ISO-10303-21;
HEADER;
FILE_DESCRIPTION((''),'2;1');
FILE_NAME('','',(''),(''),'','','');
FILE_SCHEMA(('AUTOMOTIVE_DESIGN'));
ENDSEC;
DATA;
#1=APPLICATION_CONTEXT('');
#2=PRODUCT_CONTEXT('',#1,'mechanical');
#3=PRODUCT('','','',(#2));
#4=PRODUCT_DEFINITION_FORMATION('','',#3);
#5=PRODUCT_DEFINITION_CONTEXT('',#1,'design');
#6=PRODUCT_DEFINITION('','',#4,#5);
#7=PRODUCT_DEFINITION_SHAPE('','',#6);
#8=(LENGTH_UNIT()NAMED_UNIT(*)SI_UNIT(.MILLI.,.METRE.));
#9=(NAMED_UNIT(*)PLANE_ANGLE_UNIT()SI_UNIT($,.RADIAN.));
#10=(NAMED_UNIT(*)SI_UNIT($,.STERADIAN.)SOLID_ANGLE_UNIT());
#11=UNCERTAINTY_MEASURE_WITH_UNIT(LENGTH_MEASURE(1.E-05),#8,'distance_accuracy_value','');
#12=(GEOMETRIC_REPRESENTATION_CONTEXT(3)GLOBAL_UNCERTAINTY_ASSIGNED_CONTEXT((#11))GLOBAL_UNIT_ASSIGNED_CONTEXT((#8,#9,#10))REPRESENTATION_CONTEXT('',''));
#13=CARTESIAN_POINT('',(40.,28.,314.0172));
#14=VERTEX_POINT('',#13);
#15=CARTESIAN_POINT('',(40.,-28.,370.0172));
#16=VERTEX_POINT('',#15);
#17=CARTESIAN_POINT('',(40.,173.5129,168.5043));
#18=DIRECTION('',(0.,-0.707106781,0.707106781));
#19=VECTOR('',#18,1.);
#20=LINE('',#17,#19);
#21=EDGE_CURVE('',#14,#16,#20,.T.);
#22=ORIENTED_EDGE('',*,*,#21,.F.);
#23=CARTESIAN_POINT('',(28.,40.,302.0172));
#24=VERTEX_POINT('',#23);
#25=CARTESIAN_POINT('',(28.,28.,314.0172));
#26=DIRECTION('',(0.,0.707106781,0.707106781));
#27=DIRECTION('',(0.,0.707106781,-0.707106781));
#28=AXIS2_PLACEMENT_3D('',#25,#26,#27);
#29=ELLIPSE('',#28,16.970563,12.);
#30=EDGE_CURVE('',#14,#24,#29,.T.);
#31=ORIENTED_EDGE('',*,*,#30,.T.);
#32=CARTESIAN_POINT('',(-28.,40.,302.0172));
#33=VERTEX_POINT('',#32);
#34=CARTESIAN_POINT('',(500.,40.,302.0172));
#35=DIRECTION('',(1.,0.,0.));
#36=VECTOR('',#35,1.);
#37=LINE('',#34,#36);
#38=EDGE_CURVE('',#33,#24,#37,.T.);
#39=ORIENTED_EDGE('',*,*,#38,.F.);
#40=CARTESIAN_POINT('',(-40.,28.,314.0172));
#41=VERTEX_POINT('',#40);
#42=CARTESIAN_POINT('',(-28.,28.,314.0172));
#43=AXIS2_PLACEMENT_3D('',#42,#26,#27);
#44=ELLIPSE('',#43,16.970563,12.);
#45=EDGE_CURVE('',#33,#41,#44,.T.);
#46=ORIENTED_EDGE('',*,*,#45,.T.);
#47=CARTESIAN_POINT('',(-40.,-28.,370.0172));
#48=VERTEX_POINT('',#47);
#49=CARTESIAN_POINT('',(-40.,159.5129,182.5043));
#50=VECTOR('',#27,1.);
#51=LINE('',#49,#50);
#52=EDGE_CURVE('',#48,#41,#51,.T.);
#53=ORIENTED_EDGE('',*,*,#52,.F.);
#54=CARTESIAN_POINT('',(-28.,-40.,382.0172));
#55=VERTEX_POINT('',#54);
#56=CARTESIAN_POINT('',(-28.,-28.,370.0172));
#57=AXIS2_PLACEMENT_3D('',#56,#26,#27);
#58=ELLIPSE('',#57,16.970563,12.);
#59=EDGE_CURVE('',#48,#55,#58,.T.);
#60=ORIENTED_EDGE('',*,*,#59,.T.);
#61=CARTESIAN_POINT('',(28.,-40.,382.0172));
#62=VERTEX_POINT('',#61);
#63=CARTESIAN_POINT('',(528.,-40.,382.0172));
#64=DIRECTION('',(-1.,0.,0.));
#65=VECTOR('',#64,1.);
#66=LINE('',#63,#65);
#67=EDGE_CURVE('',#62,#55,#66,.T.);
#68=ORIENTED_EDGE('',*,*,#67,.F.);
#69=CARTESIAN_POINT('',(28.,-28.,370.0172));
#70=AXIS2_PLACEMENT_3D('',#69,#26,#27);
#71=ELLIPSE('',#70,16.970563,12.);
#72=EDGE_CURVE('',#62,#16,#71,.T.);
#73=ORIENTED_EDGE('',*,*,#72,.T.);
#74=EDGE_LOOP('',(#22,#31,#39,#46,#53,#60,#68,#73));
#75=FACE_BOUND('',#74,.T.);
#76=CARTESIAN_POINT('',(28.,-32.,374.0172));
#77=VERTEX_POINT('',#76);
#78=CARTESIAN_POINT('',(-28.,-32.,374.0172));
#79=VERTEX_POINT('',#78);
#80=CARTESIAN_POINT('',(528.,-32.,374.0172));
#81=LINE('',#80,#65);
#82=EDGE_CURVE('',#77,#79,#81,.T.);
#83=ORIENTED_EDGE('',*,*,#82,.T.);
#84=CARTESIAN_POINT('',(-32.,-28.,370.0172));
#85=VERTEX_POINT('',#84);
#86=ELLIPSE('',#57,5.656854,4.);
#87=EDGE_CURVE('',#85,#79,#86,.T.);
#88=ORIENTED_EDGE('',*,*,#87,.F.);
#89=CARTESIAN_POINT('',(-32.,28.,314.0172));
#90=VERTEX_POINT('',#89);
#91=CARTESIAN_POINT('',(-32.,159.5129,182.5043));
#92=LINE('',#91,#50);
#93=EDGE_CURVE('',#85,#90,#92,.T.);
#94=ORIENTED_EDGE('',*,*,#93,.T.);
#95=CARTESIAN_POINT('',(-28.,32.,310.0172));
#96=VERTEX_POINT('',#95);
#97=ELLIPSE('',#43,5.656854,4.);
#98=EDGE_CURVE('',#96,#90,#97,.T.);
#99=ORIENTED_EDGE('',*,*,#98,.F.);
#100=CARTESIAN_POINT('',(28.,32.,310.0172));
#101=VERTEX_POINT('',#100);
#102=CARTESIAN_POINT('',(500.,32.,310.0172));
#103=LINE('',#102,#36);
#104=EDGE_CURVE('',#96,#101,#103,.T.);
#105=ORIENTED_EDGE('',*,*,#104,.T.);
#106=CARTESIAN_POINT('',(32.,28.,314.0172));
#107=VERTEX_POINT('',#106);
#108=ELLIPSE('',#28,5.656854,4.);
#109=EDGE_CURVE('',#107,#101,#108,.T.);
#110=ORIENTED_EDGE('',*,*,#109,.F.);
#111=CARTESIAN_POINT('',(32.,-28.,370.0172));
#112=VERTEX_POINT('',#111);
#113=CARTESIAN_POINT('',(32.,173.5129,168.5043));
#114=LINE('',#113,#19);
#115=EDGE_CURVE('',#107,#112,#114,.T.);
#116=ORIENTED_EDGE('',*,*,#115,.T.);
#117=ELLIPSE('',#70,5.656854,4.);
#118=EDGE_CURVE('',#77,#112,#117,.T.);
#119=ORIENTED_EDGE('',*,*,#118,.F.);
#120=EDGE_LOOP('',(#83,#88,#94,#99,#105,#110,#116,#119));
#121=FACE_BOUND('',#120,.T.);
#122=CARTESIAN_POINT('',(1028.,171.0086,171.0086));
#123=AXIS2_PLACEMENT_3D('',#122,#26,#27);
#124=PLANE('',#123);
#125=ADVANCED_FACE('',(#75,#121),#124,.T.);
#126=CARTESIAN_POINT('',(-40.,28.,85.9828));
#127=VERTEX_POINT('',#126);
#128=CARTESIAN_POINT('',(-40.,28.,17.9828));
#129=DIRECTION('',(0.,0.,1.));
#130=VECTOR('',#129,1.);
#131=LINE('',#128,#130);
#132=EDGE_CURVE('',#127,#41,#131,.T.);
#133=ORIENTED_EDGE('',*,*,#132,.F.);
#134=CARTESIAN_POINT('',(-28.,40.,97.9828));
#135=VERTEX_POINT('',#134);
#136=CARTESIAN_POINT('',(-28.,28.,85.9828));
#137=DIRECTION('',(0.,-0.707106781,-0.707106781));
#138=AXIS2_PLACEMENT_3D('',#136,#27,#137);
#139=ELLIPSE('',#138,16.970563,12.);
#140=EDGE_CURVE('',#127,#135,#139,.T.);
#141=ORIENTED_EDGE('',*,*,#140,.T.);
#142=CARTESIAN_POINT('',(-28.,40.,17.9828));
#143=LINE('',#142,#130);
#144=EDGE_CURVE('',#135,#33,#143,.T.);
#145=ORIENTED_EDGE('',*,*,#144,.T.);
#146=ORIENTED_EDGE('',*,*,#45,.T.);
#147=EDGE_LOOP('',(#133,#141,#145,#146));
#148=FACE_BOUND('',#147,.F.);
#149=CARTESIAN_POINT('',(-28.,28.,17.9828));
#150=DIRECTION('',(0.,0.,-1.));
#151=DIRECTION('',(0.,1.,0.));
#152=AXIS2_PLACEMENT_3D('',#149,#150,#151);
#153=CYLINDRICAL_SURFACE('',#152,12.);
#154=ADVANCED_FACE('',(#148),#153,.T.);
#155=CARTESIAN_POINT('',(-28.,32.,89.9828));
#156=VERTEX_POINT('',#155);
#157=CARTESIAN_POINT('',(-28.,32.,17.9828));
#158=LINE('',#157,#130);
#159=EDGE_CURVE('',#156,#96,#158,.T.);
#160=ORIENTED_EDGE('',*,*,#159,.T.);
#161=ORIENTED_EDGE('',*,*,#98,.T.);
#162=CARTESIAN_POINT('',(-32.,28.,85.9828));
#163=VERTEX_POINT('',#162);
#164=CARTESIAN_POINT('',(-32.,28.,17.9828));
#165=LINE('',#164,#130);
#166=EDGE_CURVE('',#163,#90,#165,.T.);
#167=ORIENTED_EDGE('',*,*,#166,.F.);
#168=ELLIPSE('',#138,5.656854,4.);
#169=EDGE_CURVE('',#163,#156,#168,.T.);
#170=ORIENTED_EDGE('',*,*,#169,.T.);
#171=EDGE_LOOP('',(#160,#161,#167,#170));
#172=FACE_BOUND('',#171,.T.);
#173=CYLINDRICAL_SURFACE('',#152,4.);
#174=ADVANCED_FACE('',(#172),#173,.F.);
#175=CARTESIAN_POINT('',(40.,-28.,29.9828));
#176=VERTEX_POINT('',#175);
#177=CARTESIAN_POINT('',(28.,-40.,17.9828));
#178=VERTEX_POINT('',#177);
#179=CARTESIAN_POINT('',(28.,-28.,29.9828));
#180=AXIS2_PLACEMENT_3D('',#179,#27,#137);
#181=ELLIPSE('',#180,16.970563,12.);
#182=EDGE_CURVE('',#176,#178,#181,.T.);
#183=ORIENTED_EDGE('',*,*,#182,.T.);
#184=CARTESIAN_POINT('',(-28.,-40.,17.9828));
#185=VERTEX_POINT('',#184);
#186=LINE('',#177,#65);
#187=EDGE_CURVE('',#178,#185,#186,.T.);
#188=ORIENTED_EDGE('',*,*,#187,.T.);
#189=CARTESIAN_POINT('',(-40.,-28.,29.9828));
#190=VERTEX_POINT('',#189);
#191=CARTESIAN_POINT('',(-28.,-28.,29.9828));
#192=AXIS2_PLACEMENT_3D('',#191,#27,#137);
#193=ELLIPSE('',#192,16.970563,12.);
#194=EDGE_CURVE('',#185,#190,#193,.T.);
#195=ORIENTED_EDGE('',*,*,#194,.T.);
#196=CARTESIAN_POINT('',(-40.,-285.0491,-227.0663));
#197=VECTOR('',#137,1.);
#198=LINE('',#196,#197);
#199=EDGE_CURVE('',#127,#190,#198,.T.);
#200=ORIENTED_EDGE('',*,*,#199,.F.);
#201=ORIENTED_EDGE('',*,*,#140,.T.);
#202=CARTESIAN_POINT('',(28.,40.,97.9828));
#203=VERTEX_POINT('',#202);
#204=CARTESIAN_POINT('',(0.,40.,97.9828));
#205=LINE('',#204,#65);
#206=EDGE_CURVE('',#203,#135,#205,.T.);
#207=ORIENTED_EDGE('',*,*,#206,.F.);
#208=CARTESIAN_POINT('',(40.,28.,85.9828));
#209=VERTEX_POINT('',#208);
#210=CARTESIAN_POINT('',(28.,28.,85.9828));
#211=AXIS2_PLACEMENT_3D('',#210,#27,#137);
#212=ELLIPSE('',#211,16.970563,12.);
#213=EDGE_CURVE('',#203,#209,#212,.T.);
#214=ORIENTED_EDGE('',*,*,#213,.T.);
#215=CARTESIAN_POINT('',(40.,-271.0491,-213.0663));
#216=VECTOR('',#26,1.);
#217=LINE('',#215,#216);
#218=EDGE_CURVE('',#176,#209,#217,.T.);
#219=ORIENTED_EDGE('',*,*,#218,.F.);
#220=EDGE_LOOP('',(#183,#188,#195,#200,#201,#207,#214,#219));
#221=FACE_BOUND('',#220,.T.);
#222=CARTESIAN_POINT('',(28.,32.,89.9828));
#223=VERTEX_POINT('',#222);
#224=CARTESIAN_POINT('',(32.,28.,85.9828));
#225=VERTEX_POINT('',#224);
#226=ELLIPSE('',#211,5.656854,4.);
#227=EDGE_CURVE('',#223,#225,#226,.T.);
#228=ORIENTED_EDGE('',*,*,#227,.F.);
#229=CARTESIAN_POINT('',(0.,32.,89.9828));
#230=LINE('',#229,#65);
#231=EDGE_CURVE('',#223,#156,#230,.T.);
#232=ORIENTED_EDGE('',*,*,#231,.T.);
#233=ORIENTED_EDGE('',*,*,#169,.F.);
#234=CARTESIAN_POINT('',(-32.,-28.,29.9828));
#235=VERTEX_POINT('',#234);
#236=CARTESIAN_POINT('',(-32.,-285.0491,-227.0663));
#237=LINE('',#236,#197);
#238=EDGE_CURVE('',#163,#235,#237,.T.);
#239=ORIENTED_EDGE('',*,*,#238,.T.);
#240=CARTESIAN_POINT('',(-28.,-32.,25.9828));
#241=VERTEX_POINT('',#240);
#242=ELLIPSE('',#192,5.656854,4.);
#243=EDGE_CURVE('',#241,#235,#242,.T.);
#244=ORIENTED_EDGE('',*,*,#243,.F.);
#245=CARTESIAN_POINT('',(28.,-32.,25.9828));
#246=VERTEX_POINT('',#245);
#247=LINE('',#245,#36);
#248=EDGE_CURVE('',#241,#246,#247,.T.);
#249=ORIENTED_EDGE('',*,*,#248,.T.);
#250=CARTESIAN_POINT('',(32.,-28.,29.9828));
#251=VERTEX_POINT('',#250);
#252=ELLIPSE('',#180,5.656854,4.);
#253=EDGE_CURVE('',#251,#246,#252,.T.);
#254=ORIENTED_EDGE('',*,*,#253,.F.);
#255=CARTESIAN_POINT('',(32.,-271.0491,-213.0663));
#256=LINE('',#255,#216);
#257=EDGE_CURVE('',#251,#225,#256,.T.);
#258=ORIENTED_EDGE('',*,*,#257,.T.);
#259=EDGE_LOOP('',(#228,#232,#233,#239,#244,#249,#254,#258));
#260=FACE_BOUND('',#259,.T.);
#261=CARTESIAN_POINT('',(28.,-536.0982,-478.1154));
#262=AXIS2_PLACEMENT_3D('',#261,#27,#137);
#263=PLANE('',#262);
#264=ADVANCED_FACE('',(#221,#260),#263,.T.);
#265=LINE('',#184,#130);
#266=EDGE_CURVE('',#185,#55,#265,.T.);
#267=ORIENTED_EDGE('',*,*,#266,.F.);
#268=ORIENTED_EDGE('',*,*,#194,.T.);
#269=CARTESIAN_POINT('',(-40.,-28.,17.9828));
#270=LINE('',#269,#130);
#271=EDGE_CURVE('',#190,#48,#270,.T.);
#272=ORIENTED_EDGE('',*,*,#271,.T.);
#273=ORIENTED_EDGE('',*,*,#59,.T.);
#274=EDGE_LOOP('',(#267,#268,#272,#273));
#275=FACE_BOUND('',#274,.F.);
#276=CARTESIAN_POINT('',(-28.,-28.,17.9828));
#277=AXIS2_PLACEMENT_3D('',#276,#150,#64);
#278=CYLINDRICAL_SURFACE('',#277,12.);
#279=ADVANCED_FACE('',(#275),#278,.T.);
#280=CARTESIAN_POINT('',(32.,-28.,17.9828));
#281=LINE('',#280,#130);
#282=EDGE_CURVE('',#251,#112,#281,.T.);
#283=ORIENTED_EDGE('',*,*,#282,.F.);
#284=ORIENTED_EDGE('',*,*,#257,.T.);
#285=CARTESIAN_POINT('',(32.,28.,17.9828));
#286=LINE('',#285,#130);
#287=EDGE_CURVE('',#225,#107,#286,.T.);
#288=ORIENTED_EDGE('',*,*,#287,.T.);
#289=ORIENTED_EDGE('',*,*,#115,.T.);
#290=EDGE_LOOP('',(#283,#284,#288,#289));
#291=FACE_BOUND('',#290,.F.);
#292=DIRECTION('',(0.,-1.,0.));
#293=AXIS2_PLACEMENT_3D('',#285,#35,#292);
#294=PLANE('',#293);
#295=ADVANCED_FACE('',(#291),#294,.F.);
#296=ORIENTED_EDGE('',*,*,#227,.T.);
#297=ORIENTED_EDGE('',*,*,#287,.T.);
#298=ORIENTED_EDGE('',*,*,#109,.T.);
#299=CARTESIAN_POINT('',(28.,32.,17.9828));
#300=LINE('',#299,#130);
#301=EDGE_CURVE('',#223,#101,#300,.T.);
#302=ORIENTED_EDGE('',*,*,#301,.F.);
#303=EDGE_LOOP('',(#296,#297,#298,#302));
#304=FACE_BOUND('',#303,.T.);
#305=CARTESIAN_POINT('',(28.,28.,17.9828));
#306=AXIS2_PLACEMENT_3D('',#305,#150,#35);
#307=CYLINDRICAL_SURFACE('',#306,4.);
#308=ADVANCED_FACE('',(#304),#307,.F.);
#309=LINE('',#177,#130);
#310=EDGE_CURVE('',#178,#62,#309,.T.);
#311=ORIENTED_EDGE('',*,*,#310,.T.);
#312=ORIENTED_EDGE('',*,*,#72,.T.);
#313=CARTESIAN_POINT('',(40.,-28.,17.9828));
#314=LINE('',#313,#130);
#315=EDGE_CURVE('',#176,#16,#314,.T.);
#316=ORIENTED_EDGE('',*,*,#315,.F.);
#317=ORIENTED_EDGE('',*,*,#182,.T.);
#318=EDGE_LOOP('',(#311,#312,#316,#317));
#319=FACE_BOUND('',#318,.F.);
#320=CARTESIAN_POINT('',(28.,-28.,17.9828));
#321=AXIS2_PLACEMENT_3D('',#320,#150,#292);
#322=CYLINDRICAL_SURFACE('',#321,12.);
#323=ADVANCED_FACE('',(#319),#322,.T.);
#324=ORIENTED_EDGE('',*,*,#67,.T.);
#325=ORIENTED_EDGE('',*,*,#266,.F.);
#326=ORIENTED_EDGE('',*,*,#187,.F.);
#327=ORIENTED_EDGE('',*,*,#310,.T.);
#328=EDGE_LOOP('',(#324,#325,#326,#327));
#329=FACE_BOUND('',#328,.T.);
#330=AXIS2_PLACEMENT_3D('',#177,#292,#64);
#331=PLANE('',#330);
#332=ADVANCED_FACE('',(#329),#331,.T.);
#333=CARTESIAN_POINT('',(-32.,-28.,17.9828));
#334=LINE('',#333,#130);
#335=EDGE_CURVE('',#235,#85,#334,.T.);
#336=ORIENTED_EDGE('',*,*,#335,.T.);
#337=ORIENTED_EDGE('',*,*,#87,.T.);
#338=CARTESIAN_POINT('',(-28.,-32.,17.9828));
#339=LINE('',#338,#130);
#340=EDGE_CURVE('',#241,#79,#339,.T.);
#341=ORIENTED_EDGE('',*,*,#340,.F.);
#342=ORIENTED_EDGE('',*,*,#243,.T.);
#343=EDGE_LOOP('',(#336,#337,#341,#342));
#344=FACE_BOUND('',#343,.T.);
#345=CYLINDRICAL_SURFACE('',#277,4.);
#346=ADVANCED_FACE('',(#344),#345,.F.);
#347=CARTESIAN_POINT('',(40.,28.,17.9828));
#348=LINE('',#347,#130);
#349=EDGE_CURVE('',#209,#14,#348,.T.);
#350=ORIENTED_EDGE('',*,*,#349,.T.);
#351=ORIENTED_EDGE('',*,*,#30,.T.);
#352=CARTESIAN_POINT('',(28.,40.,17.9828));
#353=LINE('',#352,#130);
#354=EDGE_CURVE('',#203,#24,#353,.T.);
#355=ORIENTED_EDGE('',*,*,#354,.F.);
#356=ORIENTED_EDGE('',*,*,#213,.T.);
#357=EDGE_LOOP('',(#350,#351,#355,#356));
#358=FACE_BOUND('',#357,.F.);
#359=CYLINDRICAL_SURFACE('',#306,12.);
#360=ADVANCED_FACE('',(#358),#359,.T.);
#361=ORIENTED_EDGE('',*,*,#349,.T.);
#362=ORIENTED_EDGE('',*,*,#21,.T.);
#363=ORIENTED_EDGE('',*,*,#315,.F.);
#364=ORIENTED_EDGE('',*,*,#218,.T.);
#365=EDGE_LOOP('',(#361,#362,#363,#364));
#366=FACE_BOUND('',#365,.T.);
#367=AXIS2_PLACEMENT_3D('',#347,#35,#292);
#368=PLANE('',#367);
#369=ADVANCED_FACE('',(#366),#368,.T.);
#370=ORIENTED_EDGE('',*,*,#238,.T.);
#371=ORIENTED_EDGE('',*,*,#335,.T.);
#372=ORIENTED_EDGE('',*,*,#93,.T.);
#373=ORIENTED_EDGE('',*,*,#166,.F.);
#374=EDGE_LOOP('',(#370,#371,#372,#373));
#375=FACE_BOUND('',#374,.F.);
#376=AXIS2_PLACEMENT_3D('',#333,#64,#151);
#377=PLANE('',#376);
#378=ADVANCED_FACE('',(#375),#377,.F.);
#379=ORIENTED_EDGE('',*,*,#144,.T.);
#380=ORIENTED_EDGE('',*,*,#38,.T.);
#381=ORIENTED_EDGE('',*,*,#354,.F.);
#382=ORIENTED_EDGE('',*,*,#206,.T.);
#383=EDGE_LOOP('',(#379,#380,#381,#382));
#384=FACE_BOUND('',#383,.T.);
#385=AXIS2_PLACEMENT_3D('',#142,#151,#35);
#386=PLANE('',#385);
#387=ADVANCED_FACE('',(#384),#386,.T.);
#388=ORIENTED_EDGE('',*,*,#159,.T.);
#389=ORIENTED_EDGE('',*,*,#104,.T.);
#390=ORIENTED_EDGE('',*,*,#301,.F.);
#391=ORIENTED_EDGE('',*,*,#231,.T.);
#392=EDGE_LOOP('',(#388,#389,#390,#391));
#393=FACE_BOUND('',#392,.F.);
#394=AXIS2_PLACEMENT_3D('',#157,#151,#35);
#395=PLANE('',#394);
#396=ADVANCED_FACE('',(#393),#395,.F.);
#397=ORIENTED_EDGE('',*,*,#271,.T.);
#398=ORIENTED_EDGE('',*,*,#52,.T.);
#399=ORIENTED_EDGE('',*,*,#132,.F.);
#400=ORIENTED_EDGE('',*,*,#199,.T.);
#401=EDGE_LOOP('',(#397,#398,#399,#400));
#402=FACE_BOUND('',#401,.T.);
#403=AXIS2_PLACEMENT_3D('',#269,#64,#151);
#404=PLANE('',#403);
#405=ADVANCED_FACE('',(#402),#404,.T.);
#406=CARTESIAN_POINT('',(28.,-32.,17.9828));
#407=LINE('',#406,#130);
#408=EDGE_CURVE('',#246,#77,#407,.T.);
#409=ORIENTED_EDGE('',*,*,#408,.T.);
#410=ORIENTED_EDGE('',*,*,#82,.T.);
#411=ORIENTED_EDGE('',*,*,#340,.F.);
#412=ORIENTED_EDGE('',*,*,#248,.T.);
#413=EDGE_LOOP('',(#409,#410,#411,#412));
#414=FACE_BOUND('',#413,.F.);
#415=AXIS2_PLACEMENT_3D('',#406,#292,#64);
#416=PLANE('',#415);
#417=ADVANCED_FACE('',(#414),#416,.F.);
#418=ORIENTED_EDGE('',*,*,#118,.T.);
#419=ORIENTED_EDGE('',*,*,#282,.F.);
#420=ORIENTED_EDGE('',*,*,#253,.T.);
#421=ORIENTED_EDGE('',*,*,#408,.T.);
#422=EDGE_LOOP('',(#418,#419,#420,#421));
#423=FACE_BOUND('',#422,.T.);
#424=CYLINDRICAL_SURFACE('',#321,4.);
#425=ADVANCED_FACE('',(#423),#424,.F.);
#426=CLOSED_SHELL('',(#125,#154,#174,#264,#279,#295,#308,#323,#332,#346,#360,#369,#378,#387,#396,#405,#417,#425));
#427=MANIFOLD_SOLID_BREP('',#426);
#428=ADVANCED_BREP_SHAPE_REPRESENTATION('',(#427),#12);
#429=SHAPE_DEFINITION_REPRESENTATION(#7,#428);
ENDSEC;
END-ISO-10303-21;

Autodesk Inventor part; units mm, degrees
ref_plane "Start Plane" through (0, 0, 17.9828) normal (0, 0, 1) x (1, 0, 0)
ref_plane "End Plane" through (0, 0, 382.0172) normal (0, 0, 1) x (1, 0, 0)
sketch "Sketch" plane through (0, 0, 0) normal (0, 0, 1) x (1, 0, 0)
  line L0 (-40, -28) -> (-40, 28)
  line L1 (-28, 40) -> (28, 40)
  line L2 (40, 28) -> (40, -28)
  line L3 (28, -40) -> (-28, -40)
  arc A0 (-40, -28) -> (-28, -40) centre (-28, -28) ccw
  arc A1 (-28, 40) -> (-40, 28) centre (-28, 28) ccw
  arc A2 (40, 28) -> (28, 40) centre (28, 28) ccw
  arc A3 (28, -40) -> (40, -28) centre (28, -28) ccw
  arc A4 (-28, 32) -> (-32, 28) centre (-28, 28) ccw
  line L4 (-28, 32) -> (28, 32)
  arc A5 (32, 28) -> (28, 32) centre (28, 28) ccw
  line L5 (32, 28) -> (32, -28)
  arc A6 (28, -32) -> (32, -28) centre (28, -28) ccw
  line L6 (28, -32) -> (-28, -32)
  arc A7 (-32, -28) -> (-28, -32) centre (-28, -28) ccw
  line L7 (-32, -28) -> (-32, 28)
  line L8 (0, 59.4794) -> (0, -59.4794) construction
  line L9 (-59.4794, 0) -> (59.4794, 0) construction
  dimension "d7" = 12
  dimension "d10" = 80
  dimension "d11" = 80
  dimension "d12" = 8
  dimension "d15" = 40
  dimension "d16" = 40
extrude "Body" add sketch "Sketch" along normal up to surface (364.0345 mm away) from surface at 17.9828
sketch "Sketch3" plane through (0, 0, 0) normal (0, 0, 1) x (1, 0, 0)
  line L0 (0, 0) -> (10, 0)
ref_plane "Work Plane3" through (0, 0, 0) normal (0, -1, 0) x (1, 0, 0)
ref_plane "Work Plane4" through (28, -536.0982, -478.1154) normal (0, 0.7071, -0.7071) x (1, 0, 0)
split "Split1" plane through (28, -536.0982, -478.1154) removes the side toward (0, 0.7071, -0.7071)
ref_plane "Work Plane5" through (1028, 171.0086, 171.0086) normal (0, 0.7071, 0.7071) x (1, 0, 0)
split "Split2" plane through (1028, 171.0086, 171.0086) removes the side toward (0, 0.7071, 0.7071)
sketch "Sketch4" plane through (0, 0, 0) normal (0, -1, 0) x (1, 0, 0)
  line L0 (-2, 17.9828) -> (12, 17.9828) projected
  line L1 (-2, 382.0172) -> (12, 382.0172) projected
  dimension "d18" = 364.0345
equation "\"d7\" = G_IR"
equation "\"d10\" = G_H"
equation "\"d11\" = G_W"
equation "\"d12\" = G_T"
equation "\"d15\" = 0.5 * d10"
equation "\"d16\" = 0.5 * d11"
equation "\"d3\" = G_L"
equation "\"G_W\" = 80"
equation "\"G_H\" = 80"
equation "\"G_T\" = 8"
equation "\"G_IR\" = 12"
equation "\"G_L\" = d18"
equation "\"G_OFFSET_START\" = -17.98276"
equation "\"G_OFFSET_END\" = -17.98276"
equation "\"d13\" = -G_OFFSET_START"
equation "\"d14\" = G_OFFSET_END + B_L"
equation "\"B_L\" = 400"
properties part number "ISO 12633-2 - 80x80x8 - 364.03" material "Steel, Mild"
